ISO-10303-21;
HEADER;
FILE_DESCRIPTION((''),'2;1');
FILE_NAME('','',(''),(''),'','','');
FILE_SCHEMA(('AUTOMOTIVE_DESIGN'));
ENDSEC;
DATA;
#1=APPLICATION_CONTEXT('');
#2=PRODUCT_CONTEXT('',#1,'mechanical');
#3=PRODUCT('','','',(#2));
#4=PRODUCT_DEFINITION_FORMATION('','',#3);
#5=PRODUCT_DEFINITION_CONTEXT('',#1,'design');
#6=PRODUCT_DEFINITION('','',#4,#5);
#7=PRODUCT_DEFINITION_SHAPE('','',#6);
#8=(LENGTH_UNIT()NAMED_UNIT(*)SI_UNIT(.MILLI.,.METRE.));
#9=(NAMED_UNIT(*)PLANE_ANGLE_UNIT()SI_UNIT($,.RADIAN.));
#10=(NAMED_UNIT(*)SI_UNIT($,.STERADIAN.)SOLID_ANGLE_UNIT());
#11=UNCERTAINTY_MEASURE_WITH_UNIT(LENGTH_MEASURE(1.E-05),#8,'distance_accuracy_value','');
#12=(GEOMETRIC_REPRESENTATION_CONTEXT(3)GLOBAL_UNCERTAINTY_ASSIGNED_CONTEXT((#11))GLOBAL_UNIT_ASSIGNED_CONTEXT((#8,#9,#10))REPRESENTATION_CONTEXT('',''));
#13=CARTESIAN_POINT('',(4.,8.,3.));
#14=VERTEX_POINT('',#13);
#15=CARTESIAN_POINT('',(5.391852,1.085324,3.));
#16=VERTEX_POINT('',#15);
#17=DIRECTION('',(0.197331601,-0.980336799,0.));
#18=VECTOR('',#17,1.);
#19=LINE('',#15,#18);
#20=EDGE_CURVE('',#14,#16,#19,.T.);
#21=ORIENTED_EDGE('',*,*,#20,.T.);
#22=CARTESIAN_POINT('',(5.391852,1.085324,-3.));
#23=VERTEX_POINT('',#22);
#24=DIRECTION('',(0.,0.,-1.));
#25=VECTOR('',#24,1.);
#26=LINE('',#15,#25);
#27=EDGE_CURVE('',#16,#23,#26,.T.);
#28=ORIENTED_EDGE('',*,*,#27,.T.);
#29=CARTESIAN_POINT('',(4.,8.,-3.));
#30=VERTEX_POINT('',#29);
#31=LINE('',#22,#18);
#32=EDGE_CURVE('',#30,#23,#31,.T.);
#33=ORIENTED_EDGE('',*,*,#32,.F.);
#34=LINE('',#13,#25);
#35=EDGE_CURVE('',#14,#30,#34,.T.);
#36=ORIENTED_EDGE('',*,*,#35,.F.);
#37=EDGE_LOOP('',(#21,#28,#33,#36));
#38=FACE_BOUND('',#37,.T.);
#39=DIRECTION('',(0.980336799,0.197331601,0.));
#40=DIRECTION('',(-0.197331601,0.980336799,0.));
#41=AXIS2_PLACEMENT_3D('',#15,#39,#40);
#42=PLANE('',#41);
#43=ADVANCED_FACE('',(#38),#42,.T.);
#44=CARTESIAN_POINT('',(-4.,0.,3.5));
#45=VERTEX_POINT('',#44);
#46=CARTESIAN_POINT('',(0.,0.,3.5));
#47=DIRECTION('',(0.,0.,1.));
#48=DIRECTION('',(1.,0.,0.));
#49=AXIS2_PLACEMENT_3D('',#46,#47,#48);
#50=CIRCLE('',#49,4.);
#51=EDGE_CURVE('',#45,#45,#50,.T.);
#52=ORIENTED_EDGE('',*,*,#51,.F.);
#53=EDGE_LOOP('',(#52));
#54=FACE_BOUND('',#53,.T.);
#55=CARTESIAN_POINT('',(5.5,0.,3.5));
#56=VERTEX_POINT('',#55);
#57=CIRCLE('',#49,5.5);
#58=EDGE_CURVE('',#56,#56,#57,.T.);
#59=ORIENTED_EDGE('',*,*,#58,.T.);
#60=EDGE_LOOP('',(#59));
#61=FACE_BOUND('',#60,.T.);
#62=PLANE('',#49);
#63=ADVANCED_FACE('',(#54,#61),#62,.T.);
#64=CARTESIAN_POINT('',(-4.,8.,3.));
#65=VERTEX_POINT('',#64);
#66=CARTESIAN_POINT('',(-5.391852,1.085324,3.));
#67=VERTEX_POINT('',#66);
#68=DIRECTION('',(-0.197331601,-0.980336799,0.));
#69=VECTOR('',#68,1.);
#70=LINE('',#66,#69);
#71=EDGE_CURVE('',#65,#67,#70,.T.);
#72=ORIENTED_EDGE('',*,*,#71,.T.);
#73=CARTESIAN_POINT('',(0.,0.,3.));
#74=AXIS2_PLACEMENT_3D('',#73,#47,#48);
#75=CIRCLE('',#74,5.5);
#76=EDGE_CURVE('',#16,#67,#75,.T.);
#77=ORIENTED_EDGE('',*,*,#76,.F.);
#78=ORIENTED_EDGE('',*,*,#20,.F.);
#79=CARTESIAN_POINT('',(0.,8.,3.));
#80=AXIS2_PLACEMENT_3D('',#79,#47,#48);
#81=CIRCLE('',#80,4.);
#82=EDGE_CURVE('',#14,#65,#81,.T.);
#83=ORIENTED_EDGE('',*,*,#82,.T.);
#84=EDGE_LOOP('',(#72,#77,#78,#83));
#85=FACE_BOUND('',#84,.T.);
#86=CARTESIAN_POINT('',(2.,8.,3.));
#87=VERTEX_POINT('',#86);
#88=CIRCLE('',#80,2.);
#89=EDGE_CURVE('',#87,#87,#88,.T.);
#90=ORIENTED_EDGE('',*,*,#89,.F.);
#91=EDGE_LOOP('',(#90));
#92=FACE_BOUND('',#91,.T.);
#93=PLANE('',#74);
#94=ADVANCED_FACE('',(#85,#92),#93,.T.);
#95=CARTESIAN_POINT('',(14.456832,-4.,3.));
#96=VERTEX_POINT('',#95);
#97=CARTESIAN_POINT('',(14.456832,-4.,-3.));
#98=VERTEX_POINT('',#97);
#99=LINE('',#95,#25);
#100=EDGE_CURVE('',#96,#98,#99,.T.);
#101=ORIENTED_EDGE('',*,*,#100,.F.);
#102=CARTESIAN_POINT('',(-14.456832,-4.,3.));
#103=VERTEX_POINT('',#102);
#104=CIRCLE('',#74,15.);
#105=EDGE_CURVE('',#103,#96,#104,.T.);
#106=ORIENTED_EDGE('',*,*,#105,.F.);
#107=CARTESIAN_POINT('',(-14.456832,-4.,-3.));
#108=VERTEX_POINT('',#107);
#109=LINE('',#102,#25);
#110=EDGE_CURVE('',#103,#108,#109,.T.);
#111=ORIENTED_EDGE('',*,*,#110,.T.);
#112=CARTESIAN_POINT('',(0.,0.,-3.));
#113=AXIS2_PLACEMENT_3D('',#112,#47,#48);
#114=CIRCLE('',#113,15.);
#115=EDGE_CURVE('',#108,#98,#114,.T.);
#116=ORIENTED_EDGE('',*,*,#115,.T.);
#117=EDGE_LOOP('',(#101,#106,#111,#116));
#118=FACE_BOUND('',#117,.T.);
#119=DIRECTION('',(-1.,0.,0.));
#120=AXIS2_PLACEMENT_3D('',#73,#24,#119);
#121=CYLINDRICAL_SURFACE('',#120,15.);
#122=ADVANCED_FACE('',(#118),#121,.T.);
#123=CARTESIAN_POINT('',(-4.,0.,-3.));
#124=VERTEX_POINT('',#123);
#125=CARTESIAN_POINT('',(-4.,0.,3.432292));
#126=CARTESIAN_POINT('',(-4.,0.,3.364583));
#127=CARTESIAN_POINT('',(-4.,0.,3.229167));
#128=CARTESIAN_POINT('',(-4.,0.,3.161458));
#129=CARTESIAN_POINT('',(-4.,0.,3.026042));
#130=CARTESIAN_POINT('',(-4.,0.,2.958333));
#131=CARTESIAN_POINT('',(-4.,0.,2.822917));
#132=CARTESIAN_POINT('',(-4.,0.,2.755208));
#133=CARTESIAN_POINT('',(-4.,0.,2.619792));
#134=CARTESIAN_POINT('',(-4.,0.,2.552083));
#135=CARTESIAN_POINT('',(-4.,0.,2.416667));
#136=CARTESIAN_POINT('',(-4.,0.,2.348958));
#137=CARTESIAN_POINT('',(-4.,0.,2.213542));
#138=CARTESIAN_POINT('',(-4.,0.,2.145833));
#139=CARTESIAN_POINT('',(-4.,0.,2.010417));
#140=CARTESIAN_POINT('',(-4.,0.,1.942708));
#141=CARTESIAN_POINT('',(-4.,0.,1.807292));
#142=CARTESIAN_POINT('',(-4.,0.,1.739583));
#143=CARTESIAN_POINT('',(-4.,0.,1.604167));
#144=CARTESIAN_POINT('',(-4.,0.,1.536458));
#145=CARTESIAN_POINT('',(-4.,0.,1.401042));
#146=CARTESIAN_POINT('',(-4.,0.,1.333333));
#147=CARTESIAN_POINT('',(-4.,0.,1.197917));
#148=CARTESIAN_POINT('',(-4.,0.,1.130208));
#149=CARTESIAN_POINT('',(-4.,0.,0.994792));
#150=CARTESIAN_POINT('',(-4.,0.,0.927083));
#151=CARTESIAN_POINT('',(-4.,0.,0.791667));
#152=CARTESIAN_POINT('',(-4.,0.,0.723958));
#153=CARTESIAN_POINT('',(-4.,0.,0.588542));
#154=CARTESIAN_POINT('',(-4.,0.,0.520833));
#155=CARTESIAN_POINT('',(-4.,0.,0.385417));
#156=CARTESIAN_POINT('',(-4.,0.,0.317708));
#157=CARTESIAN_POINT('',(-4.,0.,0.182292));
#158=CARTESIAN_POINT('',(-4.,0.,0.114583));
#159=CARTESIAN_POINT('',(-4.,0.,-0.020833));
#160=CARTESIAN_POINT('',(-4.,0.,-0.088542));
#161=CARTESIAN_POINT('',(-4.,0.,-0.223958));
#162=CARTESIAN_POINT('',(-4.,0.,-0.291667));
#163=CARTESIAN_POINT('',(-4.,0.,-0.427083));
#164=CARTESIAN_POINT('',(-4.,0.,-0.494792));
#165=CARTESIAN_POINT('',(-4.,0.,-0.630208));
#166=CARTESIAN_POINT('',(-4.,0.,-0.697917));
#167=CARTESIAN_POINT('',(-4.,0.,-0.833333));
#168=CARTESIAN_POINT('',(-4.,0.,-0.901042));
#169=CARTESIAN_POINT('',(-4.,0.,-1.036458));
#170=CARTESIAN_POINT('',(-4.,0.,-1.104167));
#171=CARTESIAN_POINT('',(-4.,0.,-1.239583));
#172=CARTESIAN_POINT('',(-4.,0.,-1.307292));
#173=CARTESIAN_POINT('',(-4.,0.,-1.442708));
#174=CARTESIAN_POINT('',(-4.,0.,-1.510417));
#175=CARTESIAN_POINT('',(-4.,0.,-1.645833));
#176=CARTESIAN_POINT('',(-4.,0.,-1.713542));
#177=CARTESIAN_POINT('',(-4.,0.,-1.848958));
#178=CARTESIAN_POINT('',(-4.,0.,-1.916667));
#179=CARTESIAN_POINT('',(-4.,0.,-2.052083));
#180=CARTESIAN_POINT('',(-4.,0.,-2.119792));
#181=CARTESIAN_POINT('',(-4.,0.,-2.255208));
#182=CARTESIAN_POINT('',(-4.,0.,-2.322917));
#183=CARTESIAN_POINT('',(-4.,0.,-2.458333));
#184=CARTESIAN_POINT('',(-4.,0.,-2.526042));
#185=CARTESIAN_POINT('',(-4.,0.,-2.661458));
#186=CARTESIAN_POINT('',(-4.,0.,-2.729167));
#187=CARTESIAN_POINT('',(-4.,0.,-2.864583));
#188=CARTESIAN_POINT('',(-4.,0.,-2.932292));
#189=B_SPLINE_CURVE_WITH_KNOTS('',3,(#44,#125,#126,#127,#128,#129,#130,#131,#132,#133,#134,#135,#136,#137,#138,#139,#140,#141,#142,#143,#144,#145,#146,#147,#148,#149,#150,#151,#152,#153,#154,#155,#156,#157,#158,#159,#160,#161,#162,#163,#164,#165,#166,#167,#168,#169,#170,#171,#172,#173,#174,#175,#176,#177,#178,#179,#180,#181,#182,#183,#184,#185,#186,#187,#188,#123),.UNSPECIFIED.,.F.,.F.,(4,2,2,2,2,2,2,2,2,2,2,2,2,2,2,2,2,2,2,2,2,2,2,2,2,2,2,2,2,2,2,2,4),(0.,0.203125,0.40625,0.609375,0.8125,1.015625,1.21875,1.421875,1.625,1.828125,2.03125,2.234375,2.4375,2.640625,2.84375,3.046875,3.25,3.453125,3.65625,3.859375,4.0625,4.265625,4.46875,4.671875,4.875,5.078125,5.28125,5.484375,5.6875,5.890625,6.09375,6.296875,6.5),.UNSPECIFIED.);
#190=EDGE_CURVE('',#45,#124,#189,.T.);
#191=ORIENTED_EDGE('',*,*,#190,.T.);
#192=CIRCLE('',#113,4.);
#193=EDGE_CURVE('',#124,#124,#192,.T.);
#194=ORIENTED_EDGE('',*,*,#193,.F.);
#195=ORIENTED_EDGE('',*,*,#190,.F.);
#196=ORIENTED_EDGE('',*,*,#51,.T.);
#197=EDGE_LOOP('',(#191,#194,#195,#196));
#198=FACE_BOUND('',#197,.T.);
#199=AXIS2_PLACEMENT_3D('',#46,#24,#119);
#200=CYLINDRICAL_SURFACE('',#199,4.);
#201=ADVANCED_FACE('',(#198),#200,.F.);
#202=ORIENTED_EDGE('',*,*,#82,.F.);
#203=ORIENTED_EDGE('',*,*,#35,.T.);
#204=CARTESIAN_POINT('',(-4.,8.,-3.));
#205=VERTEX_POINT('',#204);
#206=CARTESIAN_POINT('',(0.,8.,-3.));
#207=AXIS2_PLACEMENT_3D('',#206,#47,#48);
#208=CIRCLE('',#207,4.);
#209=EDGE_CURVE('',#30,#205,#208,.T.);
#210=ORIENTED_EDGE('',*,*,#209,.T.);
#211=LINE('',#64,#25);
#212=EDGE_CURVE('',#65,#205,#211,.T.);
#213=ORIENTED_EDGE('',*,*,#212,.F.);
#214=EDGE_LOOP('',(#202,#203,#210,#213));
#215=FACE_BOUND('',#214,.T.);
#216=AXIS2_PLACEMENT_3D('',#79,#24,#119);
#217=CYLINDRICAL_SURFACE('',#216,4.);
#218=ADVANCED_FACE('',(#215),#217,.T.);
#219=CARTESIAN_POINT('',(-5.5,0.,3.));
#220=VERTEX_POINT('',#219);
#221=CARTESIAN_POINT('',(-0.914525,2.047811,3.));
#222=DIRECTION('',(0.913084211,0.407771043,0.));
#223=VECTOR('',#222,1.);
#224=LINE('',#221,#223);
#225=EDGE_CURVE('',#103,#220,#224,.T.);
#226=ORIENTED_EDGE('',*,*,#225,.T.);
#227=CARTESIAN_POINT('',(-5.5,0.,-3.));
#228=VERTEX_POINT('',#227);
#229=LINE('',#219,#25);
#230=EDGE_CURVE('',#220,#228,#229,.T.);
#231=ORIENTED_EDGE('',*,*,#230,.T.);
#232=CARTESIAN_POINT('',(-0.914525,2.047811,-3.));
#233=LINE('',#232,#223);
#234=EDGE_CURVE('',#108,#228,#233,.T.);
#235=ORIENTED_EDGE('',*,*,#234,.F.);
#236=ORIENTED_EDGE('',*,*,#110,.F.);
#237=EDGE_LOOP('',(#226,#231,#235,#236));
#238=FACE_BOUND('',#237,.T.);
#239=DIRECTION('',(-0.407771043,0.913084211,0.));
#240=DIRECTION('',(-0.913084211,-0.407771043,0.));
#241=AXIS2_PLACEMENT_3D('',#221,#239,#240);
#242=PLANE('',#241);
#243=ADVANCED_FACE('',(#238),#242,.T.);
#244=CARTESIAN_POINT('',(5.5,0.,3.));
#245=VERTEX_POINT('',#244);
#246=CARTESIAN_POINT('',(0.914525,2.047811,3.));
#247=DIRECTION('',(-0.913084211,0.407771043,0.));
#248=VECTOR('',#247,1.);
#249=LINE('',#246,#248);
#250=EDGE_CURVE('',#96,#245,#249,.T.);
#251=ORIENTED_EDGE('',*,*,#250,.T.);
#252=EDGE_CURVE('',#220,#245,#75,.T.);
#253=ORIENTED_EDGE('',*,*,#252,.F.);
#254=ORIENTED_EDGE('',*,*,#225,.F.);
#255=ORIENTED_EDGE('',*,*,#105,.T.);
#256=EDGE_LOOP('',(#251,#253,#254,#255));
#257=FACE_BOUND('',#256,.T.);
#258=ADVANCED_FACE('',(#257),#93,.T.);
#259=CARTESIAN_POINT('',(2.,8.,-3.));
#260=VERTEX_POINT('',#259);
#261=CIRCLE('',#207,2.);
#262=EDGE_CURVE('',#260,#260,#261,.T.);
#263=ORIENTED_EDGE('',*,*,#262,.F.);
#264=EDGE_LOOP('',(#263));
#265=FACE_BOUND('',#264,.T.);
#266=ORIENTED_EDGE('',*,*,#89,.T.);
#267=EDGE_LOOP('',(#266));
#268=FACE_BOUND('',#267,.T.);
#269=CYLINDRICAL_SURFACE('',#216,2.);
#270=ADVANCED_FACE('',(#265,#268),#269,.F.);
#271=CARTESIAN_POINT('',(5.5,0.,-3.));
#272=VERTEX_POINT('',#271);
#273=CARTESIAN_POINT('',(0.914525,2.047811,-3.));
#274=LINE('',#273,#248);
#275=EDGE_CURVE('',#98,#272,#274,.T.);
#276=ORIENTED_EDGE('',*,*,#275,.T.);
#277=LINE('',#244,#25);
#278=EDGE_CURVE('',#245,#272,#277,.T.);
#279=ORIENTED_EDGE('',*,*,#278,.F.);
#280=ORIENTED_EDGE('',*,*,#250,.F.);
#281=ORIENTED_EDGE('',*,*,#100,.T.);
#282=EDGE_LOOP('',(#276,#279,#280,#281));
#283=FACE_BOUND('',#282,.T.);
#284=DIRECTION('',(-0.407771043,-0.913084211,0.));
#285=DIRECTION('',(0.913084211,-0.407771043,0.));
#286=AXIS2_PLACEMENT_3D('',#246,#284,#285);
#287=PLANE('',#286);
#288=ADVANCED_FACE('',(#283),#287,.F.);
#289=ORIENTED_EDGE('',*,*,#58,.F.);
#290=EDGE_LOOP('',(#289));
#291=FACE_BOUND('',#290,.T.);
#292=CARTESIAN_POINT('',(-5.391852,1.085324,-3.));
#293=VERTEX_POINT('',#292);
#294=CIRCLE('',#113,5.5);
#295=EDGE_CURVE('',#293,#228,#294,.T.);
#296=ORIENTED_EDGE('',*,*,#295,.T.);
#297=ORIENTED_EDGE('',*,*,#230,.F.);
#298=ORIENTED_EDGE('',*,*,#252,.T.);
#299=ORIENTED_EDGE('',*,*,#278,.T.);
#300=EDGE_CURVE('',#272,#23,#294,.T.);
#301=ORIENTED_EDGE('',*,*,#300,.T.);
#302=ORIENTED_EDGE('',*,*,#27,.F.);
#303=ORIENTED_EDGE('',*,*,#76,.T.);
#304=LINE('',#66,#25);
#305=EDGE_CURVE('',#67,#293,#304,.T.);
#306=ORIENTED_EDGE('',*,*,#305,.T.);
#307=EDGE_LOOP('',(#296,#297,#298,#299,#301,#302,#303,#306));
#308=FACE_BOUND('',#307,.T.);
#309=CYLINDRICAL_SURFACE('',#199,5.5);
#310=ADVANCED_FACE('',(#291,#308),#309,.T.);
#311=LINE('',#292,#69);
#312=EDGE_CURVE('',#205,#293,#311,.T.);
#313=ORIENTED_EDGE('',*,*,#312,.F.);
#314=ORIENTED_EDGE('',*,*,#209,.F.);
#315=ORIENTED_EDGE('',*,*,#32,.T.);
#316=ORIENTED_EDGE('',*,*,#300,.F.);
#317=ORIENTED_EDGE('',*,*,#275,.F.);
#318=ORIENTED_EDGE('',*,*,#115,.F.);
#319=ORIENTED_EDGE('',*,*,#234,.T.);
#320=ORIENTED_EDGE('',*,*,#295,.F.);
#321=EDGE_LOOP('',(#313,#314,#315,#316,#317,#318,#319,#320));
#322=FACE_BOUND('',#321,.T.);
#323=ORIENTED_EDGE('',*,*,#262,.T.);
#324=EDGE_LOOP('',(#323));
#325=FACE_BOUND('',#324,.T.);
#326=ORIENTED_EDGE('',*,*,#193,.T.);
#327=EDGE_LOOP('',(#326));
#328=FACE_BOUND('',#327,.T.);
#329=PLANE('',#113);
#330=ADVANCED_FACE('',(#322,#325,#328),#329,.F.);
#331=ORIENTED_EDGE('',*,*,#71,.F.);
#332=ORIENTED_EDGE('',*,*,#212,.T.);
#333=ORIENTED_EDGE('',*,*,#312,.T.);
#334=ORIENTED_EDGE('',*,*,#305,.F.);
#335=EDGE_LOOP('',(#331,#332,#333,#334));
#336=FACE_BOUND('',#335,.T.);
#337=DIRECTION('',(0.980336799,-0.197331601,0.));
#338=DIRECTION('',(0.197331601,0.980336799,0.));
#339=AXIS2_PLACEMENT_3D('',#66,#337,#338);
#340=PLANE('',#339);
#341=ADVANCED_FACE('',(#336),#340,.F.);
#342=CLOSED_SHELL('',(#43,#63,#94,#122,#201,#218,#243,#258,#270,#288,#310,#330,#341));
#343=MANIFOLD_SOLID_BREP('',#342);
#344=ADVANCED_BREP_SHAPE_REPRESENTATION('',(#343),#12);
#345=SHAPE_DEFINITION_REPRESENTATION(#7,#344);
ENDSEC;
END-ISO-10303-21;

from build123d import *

# Parameters (mm, degrees)
BOSS_EXTRUDE1_DEPTH   = 3
SKETCH1_R             = 2
BOSS_EXTRUDE1_2_DEPTH = 3
BOSS_EXTRUDE2_START   = 3.5
SKETCH1_3_R           = 5.5
SKETCH1_3_R_2         = 4
BOSS_EXTRUDE2_DEPTH   = 6.5


with BuildPart() as part:
    # Sketch1 → Boss-Extrude1 (new, symmetric)
    with BuildSketch(Plane.XY):
        with BuildLine():
            Line((-5.5, 0), (-14.456832295, -4))
            ThreePointArc((-14.456832295, -4), (0, -15), (14.456832295, -4))
            Line((14.456832295, -4), (5.5, 0))
            ThreePointArc((5.5, 0), (0, -5.5), (-5.5, 0))
        make_face()
    extrude(amount=BOSS_EXTRUDE1_DEPTH, both=True)



with BuildPart() as body_2:
    # Sketch1 → Boss-Extrude1 2 (new, symmetric)
    with BuildSketch(Plane.XY):
        with BuildLine():
            Line((-4, 8), (-5.391852394, 1.085323803))
            ThreePointArc((-5.391852394, 1.085323803), (0, 5.5), (5.391852394, 1.085323803))
            Line((5.391852394, 1.085323803), (4, 8))
            ThreePointArc((4, 8), (0, 12), (-4, 8))
        make_face()
        with Locations((0, 8)):
            Circle(SKETCH1_R, mode=Mode.SUBTRACT)
    extrude(amount=BOSS_EXTRUDE1_2_DEPTH, both=True)


with BuildPart() as part_1:
    add(part.part)

    add(body_2.part)  # Boss-Extrude2 merges body 2
    # Sketch1<3> → Boss-Extrude2 (add)
    with BuildSketch(Plane.XY.offset(BOSS_EXTRUDE2_START)):
        Circle(SKETCH1_3_R)
        with Locations(Location((0, 0, 0), (0, 0, 180))):
            Circle(SKETCH1_3_R_2, mode=Mode.SUBTRACT)
    extrude(amount=-BOSS_EXTRUDE2_DEPTH)


solid = part_1.part
